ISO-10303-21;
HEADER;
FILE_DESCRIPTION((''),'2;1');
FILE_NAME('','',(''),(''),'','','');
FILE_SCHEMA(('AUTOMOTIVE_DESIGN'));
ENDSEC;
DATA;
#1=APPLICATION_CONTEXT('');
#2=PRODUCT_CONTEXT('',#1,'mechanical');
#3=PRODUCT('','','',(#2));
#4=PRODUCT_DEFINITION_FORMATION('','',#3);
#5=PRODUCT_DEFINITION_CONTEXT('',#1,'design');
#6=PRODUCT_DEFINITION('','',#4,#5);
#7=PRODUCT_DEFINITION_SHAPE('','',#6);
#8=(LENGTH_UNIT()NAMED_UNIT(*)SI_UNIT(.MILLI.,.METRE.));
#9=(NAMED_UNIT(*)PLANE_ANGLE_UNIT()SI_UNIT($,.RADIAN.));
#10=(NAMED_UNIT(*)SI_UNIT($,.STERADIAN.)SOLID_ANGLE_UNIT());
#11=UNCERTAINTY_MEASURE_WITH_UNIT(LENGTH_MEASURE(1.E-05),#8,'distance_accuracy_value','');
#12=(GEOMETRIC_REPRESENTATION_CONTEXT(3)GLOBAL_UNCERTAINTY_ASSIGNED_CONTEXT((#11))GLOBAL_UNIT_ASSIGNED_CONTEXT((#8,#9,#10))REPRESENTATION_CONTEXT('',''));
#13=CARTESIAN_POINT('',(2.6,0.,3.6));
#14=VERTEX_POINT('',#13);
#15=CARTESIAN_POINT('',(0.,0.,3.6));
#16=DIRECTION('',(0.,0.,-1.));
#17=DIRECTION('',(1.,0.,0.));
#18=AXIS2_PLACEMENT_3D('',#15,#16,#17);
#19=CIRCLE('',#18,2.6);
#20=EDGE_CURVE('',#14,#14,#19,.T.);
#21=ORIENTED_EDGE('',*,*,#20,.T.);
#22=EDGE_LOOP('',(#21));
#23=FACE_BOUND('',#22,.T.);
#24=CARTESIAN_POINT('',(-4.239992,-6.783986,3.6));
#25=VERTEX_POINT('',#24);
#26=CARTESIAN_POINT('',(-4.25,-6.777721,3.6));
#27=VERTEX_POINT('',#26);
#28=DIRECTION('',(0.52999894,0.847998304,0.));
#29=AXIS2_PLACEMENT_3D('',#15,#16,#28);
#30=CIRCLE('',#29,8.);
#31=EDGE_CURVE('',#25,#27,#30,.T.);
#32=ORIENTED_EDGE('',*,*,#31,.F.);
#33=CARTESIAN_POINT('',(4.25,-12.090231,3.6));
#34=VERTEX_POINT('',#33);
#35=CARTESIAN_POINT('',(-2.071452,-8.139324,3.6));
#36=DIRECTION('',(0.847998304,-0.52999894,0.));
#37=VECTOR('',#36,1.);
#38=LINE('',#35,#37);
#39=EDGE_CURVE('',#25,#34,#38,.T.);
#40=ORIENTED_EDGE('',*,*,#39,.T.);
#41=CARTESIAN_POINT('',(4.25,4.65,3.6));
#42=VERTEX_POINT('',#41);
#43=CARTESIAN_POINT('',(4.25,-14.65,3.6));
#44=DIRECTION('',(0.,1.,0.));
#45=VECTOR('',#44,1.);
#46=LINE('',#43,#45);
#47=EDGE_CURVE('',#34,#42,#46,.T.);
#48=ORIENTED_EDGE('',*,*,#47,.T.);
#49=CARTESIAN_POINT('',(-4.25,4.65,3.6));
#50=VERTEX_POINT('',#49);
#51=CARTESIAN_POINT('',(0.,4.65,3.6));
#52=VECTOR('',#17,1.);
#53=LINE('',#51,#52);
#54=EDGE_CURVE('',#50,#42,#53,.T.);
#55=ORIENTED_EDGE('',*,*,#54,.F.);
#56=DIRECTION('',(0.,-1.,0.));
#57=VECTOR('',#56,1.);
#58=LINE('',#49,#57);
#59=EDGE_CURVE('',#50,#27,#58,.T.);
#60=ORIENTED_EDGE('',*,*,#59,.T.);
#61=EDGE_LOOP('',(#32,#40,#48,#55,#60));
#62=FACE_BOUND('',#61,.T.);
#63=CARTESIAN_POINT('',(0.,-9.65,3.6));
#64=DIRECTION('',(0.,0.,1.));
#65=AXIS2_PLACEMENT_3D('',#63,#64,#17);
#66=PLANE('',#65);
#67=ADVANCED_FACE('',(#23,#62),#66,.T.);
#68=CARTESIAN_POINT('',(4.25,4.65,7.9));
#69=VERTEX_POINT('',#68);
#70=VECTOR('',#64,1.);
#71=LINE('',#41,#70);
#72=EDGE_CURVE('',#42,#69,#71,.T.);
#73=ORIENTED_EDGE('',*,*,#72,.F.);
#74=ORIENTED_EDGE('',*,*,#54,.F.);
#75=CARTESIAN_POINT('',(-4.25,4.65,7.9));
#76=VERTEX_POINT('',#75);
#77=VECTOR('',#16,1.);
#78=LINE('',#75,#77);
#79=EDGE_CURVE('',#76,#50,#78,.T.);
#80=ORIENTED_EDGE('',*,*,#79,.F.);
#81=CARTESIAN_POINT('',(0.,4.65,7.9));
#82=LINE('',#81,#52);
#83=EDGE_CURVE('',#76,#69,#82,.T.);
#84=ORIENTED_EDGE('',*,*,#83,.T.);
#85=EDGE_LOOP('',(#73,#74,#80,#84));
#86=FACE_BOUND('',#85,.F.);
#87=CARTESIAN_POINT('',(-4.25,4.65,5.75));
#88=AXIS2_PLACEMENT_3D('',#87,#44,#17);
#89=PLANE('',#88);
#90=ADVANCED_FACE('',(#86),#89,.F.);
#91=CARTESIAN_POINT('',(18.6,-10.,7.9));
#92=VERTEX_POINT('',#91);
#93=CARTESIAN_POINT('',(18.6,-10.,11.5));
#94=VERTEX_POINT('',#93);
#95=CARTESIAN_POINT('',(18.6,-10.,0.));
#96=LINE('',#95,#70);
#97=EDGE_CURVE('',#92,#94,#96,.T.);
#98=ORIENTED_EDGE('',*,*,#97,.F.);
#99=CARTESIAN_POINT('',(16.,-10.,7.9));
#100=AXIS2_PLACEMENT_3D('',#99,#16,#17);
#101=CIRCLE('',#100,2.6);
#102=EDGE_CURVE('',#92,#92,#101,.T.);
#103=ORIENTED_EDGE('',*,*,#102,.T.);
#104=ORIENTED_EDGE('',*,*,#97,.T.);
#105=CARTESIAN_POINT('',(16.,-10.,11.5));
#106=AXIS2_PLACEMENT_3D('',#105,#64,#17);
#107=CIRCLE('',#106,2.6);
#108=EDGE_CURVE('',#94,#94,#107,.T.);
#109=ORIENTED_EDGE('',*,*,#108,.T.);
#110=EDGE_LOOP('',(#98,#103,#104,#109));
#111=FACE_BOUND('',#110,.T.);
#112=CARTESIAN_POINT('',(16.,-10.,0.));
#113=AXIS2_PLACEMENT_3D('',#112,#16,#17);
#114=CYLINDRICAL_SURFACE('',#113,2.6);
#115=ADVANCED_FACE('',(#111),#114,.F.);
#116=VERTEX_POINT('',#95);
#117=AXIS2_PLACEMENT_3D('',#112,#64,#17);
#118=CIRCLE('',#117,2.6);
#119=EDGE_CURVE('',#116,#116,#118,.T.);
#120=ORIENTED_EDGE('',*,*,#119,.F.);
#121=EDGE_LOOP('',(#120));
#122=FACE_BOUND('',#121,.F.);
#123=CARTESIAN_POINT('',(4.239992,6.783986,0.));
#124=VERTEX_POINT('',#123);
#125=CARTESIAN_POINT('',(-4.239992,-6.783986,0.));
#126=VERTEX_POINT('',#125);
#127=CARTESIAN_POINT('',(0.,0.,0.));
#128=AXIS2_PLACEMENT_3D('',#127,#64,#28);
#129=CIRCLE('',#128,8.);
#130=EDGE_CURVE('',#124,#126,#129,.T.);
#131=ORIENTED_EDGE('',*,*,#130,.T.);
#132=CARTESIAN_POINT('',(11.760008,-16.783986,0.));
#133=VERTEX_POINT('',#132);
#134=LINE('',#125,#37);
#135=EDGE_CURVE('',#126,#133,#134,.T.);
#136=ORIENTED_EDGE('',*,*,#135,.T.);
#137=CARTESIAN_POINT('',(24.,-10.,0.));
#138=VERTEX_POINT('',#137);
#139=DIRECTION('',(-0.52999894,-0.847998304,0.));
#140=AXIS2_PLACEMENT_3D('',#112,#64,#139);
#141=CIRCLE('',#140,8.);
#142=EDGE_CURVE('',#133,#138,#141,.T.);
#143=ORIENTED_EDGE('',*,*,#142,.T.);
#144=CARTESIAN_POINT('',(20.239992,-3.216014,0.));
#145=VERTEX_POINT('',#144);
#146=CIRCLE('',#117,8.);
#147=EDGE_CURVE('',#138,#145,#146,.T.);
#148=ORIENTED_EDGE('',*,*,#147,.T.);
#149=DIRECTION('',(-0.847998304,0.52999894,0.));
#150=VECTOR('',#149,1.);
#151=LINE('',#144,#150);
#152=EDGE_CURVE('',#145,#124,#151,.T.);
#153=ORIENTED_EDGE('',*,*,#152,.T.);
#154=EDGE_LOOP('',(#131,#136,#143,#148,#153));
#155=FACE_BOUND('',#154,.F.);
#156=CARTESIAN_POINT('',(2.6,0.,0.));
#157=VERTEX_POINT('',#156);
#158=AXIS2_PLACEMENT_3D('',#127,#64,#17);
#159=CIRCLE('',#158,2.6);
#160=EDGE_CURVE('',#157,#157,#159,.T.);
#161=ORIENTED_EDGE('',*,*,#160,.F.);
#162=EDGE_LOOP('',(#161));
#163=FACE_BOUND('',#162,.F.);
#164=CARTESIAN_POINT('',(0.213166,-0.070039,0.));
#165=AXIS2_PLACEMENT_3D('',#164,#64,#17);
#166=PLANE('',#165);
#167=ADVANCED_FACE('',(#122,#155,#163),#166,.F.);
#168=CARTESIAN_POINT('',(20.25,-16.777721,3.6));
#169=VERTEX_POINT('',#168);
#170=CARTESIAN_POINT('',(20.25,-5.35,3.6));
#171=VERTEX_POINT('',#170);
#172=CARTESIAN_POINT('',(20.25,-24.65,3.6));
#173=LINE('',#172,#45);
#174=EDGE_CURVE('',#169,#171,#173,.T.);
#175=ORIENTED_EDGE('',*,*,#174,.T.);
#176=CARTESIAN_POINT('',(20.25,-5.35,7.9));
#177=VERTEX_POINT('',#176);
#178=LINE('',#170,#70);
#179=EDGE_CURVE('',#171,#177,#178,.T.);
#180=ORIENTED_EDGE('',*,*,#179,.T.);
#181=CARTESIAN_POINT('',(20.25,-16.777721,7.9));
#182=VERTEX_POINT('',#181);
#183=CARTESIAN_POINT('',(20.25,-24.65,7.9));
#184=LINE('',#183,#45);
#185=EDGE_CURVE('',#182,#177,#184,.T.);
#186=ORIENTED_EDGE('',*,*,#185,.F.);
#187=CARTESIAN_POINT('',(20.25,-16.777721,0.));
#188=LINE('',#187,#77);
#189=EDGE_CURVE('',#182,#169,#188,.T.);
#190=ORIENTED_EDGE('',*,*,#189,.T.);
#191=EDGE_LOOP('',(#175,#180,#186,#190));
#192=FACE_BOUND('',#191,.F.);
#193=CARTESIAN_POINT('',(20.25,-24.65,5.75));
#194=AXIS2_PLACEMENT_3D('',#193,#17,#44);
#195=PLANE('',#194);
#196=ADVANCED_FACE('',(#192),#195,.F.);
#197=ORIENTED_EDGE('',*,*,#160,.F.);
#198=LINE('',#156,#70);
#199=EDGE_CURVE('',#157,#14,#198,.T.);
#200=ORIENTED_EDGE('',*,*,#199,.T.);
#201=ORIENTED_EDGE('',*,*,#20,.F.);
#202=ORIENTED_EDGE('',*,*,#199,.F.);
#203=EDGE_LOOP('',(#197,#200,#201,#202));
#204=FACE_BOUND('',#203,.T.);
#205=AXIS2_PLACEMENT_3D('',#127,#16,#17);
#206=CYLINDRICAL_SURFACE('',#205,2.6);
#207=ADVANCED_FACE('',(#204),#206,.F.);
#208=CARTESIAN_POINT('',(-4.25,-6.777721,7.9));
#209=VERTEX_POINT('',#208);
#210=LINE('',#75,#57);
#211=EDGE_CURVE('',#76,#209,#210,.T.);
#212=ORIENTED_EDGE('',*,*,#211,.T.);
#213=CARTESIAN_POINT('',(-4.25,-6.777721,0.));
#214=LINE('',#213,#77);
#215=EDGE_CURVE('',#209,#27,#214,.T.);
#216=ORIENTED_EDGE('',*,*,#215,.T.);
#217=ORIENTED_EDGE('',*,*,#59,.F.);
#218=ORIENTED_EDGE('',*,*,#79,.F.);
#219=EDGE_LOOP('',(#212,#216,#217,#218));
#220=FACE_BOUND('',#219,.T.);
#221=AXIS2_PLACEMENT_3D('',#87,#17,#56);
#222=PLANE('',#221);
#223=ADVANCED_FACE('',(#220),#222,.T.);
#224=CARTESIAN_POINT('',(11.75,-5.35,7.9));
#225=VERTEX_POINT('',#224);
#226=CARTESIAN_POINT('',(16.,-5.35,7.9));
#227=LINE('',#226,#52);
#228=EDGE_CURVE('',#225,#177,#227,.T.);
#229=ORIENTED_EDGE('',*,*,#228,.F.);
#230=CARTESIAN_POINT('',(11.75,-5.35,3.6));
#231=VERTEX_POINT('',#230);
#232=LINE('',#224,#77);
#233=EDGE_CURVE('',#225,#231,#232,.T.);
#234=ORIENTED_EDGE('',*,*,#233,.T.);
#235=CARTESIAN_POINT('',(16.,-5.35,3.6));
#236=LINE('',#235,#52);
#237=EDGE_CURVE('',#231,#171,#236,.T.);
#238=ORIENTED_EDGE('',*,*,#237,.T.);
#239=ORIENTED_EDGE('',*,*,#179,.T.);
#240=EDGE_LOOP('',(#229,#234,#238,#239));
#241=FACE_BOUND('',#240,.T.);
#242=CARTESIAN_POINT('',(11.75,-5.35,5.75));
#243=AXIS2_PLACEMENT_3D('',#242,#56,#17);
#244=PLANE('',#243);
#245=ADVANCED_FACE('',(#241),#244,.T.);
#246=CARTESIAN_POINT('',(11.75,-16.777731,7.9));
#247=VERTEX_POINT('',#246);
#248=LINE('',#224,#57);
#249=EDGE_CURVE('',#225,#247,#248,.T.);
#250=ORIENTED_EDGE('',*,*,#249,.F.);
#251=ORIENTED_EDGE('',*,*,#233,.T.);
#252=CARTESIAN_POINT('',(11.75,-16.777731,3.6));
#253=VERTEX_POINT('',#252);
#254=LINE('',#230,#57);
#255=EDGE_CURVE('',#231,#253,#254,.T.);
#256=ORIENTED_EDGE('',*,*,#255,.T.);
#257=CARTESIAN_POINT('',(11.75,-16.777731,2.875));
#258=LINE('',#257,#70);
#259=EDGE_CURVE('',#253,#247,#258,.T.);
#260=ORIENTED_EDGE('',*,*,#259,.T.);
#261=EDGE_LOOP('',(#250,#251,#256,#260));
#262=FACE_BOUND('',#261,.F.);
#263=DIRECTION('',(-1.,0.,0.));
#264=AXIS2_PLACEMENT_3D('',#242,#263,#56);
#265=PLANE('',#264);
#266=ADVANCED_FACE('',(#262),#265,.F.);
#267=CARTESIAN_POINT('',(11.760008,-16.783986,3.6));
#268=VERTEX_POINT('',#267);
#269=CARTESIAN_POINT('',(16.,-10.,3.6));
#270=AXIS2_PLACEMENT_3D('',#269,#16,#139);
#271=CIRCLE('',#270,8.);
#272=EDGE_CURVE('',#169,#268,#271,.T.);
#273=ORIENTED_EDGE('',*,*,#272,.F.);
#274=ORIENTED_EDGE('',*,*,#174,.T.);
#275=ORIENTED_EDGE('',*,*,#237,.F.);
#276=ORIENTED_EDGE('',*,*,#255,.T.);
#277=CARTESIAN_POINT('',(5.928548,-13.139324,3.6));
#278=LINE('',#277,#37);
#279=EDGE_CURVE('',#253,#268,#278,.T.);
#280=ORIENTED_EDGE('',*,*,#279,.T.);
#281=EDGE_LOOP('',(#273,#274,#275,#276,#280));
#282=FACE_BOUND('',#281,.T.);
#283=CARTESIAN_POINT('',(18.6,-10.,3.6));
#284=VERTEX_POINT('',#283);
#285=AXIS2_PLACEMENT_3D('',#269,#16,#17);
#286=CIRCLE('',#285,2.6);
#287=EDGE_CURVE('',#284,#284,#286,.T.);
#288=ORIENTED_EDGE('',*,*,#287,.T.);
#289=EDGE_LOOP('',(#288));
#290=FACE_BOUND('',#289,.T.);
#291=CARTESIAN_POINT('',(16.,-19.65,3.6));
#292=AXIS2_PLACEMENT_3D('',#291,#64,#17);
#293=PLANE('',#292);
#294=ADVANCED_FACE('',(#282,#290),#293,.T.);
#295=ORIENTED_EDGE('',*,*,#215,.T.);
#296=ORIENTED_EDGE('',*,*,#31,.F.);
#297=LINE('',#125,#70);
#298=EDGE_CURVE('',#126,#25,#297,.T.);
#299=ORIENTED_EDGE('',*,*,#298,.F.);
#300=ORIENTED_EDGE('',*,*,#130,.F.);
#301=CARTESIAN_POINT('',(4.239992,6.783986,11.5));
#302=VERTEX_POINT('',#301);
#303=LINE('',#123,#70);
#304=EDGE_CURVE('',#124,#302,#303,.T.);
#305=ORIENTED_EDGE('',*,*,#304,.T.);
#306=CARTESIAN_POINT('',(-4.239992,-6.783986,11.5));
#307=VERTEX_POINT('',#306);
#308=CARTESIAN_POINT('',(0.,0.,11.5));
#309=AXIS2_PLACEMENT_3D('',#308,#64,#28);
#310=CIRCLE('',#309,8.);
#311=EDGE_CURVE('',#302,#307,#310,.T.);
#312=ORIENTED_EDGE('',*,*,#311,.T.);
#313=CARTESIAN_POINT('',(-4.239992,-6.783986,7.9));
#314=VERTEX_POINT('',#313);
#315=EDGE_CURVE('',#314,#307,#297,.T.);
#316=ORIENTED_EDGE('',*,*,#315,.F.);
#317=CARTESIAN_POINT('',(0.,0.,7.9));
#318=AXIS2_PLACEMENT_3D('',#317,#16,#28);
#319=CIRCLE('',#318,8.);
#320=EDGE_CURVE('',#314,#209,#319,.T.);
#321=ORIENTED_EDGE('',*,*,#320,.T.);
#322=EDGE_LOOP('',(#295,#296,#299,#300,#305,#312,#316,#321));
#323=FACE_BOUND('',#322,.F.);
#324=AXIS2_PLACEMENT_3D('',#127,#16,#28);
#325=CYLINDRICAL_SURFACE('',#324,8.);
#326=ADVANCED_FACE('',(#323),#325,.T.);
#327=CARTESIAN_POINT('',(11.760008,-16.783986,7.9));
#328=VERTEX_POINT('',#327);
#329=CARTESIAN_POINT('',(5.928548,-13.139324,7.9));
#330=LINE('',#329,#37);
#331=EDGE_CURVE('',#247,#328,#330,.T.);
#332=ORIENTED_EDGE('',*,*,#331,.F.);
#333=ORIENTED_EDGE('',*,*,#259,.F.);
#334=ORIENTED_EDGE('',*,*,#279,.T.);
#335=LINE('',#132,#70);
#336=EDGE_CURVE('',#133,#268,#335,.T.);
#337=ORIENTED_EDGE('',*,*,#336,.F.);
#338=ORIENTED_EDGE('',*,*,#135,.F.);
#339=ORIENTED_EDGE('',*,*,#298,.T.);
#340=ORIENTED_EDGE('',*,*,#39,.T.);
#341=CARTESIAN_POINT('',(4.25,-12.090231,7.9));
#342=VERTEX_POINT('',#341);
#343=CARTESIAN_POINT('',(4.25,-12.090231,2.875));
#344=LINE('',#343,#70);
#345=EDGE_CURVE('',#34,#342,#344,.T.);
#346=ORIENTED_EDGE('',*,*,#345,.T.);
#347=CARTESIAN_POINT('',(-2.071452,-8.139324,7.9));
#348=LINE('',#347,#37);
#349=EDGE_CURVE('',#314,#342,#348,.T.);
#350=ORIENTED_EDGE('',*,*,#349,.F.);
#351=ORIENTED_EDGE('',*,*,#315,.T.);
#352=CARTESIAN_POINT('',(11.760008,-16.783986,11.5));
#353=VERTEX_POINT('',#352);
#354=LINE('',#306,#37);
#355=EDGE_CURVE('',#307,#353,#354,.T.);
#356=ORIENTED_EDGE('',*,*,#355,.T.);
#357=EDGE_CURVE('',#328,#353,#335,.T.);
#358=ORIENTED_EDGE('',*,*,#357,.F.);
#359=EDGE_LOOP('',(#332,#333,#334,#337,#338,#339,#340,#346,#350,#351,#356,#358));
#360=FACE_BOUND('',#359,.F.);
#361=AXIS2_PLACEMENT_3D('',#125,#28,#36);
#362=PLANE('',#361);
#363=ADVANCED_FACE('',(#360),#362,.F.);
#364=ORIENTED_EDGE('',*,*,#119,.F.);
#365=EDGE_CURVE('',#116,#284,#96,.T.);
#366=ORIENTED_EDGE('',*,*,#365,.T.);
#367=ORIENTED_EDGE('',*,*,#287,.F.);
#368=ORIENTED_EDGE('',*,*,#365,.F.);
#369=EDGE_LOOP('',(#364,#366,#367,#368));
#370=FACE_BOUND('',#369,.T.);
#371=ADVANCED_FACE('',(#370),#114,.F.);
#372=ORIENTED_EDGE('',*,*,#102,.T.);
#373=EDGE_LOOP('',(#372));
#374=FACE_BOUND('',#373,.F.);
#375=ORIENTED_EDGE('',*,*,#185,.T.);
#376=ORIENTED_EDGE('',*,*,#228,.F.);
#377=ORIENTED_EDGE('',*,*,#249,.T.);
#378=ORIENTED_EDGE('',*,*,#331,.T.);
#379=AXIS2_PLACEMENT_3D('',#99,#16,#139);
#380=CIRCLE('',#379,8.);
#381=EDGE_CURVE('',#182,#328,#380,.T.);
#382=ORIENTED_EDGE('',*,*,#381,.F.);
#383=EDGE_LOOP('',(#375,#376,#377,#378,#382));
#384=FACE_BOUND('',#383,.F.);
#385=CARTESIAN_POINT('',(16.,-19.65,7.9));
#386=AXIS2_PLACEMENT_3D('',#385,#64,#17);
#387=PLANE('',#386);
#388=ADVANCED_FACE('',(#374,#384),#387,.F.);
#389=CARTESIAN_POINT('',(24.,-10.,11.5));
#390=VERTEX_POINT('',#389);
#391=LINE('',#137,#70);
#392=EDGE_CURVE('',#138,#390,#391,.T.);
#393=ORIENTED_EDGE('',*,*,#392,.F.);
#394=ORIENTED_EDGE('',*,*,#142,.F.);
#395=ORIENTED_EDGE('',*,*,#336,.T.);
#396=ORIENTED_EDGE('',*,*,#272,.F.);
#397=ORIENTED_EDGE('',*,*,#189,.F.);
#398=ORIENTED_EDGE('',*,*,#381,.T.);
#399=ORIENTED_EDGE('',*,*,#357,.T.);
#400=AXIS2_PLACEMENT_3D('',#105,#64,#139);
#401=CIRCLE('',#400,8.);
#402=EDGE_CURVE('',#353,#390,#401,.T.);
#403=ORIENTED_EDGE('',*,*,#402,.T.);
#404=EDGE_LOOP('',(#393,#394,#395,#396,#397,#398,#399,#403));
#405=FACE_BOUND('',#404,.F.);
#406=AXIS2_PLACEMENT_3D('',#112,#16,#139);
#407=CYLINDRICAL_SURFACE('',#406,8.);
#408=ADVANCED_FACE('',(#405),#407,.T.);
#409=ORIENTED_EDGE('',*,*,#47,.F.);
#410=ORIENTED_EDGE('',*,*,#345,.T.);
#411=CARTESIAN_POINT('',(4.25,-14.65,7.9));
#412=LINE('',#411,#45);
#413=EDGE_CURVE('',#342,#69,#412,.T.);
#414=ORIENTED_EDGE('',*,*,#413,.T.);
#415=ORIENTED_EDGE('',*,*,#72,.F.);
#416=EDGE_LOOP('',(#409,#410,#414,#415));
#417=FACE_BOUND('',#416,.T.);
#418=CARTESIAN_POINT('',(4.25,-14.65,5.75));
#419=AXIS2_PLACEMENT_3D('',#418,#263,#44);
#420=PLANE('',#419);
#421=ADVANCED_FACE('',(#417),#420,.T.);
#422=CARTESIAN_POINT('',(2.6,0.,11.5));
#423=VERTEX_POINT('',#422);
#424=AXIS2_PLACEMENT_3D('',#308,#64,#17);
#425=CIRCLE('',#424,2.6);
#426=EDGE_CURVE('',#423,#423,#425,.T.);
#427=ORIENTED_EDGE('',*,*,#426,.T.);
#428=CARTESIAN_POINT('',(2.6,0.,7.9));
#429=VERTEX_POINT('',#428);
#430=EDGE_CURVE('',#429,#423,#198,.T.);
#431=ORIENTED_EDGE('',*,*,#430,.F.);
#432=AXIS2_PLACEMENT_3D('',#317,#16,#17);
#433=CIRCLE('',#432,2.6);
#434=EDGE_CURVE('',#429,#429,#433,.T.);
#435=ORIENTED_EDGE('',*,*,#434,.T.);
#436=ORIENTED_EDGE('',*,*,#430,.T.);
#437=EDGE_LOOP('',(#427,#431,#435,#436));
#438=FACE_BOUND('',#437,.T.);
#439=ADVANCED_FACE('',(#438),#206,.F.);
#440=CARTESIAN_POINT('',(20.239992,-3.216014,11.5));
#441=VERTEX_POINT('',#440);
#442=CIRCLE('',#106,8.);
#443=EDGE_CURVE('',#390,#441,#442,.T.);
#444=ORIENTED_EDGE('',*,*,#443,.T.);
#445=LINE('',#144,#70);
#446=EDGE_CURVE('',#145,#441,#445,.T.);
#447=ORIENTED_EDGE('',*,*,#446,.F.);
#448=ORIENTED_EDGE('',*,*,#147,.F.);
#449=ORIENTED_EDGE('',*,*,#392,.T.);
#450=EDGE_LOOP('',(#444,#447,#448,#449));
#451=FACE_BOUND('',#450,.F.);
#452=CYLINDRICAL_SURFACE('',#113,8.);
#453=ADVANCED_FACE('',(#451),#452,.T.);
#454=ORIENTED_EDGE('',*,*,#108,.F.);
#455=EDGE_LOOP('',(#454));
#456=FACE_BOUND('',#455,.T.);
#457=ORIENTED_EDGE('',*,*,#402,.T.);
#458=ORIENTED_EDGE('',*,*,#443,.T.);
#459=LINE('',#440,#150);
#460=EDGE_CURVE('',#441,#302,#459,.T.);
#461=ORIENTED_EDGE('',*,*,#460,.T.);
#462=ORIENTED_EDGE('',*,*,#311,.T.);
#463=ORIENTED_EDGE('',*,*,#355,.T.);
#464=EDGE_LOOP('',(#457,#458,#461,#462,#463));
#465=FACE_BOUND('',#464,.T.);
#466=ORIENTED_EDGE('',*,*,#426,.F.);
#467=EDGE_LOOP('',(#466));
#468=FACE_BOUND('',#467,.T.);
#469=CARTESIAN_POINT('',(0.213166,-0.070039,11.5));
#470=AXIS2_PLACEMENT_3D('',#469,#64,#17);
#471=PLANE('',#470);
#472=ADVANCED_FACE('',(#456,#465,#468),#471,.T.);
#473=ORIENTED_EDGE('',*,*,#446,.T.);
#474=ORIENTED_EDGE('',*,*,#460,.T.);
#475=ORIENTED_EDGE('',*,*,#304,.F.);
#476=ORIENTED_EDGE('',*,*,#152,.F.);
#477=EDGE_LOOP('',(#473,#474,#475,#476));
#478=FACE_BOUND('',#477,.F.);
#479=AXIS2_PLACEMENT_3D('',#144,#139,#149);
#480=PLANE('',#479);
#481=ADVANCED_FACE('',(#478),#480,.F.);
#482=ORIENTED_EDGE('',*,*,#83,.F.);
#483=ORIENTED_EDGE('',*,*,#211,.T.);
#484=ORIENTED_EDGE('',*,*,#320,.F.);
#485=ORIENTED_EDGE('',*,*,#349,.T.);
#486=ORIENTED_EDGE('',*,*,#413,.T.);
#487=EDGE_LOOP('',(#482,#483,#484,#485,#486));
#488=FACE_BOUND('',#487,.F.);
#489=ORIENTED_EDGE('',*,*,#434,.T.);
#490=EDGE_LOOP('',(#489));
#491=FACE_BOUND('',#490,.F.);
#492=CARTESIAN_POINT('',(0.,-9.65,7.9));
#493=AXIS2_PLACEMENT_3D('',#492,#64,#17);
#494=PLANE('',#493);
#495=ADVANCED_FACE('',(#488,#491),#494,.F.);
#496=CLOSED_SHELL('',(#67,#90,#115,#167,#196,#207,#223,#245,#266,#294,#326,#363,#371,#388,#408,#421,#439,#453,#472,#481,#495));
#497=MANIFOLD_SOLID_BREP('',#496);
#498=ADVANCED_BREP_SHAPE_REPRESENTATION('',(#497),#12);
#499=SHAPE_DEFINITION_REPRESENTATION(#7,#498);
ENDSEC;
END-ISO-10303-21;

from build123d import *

# Parameters (mm, degrees)
F0_R     = 2.6
F1_DEPTH = 11.5
F3_W     = 8.5
F3_H     = 10
F3_H_2   = 9.3
F4_DEPTH = 2.15


with BuildPart() as f1:
    # F0 (on Top) → F1 (new body)
    with BuildSketch(Plane.XY):
        with BuildLine():
            ThreePointArc((-4.23999152, -6.783986432), (3.8781482591, -6.99713985), (8, 0))
            ThreePointArc((8, 0), (6.99713985, 3.8781482591), (4.23999152, 6.783986432))
            ThreePointArc((4.23999152, 6.783986432), (-6.783986432, 4.23999152), (-4.23999152, -6.783986432))
        make_face()
        Circle(F0_R, mode=Mode.SUBTRACT)
        with BuildLine():
            ThreePointArc((4.23999152, 6.783986432), (6.99713985, 3.8781482591), (8, 0))
            ThreePointArc((8, 0), (3.8781482591, -6.99713985), (-4.23999152, -6.783986432))
            Line((-4.23999152, -6.783986432), (11.76000848, -16.783986432))
            ThreePointArc((11.76000848, -16.783986432), (9.216013568, -5.76000848), (20.23999152, -3.216013568))
            Line((20.23999152, -3.216013568), (4.23999152, 6.783986432))
        make_face()
        with BuildLine():
            ThreePointArc((24, -10), (22.99713985, -6.1218517409), (20.23999152, -3.216013568))
            ThreePointArc((20.23999152, -3.216013568), (9.216013568, -5.76000848), (11.76000848, -16.783986432))
            ThreePointArc((11.76000848, -16.783986432), (19.8781482591, -16.99713985), (24, -10))
        make_face()
        with Locations((16, -10)):
            Circle(F0_R, mode=Mode.SUBTRACT)
    extrude(amount=F1_DEPTH)

    # F3 (on mid) → F4 (cut, symmetric)
    with BuildSketch(Plane.XY.offset(5.75)):
        with Locations((0, -9.65)):
            Rectangle(F3_W, F3_H)
        Rectangle(F3_W, F3_H_2)
        with Locations((16, -19.65)):
            Rectangle(F3_W, F3_H)
        with Locations((16, -10)):
            Rectangle(F3_W, F3_H_2)
    extrude(amount=F4_DEPTH, both=True, mode=Mode.SUBTRACT)


solid = f1.part
